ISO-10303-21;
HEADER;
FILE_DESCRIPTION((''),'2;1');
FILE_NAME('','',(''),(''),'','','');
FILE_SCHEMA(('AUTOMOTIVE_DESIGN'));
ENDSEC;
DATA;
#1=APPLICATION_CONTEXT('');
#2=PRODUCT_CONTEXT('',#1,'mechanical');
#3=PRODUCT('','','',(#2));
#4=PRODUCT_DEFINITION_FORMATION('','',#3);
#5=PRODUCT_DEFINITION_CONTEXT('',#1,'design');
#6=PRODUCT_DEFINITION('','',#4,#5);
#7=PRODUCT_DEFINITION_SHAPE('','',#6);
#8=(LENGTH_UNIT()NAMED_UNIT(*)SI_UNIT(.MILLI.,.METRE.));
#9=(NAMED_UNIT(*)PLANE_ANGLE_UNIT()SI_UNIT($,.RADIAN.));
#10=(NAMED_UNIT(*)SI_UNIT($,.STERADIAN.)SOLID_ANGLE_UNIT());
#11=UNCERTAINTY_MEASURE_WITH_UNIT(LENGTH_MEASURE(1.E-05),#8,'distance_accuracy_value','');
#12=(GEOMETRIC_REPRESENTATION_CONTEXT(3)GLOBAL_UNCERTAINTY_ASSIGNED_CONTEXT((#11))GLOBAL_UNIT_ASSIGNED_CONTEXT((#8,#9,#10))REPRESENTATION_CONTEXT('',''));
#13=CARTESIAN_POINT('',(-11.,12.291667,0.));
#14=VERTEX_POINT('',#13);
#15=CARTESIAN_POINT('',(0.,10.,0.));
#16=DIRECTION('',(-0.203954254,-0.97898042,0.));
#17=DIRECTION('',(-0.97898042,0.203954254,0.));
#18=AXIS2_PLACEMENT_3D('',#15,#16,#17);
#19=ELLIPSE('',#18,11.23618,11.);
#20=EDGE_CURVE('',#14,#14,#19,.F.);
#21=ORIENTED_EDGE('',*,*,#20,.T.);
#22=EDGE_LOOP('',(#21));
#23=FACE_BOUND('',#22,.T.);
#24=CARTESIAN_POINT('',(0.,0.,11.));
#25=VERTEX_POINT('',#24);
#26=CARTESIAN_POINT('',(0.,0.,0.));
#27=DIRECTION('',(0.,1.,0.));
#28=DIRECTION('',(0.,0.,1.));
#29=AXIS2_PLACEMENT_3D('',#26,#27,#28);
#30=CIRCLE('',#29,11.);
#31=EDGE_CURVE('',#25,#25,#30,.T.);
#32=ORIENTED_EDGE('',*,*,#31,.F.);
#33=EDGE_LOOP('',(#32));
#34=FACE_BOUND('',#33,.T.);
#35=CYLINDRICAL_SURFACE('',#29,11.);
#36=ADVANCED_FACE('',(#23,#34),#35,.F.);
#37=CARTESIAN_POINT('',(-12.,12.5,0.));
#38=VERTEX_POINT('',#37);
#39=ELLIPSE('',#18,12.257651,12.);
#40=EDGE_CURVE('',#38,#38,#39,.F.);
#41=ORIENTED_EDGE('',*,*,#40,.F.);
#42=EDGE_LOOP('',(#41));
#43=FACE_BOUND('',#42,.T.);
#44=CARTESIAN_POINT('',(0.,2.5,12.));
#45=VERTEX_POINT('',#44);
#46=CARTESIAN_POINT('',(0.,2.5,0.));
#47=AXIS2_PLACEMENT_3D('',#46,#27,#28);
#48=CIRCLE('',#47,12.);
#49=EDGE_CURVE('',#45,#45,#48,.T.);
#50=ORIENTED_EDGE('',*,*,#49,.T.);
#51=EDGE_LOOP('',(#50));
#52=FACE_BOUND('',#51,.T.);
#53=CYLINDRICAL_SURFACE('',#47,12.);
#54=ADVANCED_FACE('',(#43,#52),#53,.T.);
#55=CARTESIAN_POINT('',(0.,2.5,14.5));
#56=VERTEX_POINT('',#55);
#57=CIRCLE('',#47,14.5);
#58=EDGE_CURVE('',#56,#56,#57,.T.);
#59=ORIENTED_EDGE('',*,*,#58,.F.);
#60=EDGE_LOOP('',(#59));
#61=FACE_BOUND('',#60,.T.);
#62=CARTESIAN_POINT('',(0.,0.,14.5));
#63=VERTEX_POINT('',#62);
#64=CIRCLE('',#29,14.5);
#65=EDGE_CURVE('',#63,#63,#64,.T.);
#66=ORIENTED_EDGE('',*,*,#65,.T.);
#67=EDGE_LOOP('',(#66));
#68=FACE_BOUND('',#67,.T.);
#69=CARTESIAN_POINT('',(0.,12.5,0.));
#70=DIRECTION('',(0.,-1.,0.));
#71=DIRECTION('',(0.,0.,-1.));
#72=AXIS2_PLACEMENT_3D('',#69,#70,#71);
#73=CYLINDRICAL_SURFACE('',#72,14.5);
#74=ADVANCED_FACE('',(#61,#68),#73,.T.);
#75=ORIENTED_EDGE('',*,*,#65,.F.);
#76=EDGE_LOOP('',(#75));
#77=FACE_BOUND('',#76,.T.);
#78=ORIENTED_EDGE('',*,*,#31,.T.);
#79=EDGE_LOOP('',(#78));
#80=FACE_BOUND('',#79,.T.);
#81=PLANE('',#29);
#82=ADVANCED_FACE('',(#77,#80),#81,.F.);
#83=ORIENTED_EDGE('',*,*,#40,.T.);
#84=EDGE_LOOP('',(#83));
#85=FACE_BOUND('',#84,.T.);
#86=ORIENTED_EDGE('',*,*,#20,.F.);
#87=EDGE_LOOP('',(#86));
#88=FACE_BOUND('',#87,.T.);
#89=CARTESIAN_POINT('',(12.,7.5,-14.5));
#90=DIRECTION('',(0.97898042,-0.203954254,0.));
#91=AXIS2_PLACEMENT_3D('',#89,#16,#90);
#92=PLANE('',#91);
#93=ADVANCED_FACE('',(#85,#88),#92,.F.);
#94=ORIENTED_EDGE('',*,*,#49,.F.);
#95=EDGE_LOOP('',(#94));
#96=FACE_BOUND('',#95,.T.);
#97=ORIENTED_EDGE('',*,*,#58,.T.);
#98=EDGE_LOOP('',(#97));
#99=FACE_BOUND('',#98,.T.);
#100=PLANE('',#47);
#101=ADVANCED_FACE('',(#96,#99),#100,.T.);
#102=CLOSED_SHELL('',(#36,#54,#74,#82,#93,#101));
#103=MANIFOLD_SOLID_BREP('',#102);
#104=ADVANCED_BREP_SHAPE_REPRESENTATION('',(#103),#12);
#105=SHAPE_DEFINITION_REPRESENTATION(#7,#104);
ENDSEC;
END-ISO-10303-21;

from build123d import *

# Parameters (mm, degrees)
SKETCH1_R               = 14.5
BOSS_EXTRUDE1_DEPTH     = 12.5
CUT_EXTRUDE1_START      = -10
SKETCH2_R               = 14.5
SKETCH2_R_2             = 12
CUT_EXTRUDE1_DEPTH      = 10
SKETCH4_R               = 11
CUT_EXTRUDE2_DEPTH      = 25.015619917
CUT_EXTRUDE3_DEPTH      = 25.015619917
CUT_EXTRUDE3_DEPTH_BACK = 25.015619917


with BuildPart() as part:
    # Sketch1 → Boss-Extrude1 (new body)
    with BuildSketch(Plane(origin=(0, 0, 0), x_dir=(1, 0, 0), z_dir=(0, 1, 0))):
        with Locations(Location((0, 0, 0), (0, 0, 270))):
            Circle(SKETCH1_R)
    extrude(amount=BOSS_EXTRUDE1_DEPTH)

    # Sketch2 → Cut-Extrude1 (cut)
    with BuildSketch(Plane(origin=(0, 12.5, 0), x_dir=(1, 0, 0), z_dir=(0, 1, 0)).offset(CUT_EXTRUDE1_START)):
        with Locations(Location((0, 0, 0), (0, 0, 270))):
            Circle(SKETCH2_R)
        with Locations(Location((0, 0, 0), (0, 0, 270))):
            Circle(SKETCH2_R_2, mode=Mode.SUBTRACT)
    extrude(amount=CUT_EXTRUDE1_DEPTH, mode=Mode.SUBTRACT)

    # Sketch4 → Cut-Extrude2 (cut, through all)
    with BuildSketch(Plane(origin=(0, 12.5, 0), x_dir=(1, 0, 0), z_dir=(0, 1, 0))):
        with Locations(Location((0, 0, 0), (0, 0, 270))):
            Circle(SKETCH4_R)
    extrude(amount=-CUT_EXTRUDE2_DEPTH, mode=Mode.SUBTRACT)

    # Sketch5 → Cut-Extrude3 (cut, two sides: drawn at the far end of the back side and taken through both)
    with BuildSketch(Plane.XY.offset(-CUT_EXTRUDE3_DEPTH_BACK)):
        Polygon((-12, 12.5), (12, 12.5), (12, 7.5), align=None)
    extrude(amount=CUT_EXTRUDE3_DEPTH + CUT_EXTRUDE3_DEPTH_BACK, mode=Mode.SUBTRACT)


solid = part.part
